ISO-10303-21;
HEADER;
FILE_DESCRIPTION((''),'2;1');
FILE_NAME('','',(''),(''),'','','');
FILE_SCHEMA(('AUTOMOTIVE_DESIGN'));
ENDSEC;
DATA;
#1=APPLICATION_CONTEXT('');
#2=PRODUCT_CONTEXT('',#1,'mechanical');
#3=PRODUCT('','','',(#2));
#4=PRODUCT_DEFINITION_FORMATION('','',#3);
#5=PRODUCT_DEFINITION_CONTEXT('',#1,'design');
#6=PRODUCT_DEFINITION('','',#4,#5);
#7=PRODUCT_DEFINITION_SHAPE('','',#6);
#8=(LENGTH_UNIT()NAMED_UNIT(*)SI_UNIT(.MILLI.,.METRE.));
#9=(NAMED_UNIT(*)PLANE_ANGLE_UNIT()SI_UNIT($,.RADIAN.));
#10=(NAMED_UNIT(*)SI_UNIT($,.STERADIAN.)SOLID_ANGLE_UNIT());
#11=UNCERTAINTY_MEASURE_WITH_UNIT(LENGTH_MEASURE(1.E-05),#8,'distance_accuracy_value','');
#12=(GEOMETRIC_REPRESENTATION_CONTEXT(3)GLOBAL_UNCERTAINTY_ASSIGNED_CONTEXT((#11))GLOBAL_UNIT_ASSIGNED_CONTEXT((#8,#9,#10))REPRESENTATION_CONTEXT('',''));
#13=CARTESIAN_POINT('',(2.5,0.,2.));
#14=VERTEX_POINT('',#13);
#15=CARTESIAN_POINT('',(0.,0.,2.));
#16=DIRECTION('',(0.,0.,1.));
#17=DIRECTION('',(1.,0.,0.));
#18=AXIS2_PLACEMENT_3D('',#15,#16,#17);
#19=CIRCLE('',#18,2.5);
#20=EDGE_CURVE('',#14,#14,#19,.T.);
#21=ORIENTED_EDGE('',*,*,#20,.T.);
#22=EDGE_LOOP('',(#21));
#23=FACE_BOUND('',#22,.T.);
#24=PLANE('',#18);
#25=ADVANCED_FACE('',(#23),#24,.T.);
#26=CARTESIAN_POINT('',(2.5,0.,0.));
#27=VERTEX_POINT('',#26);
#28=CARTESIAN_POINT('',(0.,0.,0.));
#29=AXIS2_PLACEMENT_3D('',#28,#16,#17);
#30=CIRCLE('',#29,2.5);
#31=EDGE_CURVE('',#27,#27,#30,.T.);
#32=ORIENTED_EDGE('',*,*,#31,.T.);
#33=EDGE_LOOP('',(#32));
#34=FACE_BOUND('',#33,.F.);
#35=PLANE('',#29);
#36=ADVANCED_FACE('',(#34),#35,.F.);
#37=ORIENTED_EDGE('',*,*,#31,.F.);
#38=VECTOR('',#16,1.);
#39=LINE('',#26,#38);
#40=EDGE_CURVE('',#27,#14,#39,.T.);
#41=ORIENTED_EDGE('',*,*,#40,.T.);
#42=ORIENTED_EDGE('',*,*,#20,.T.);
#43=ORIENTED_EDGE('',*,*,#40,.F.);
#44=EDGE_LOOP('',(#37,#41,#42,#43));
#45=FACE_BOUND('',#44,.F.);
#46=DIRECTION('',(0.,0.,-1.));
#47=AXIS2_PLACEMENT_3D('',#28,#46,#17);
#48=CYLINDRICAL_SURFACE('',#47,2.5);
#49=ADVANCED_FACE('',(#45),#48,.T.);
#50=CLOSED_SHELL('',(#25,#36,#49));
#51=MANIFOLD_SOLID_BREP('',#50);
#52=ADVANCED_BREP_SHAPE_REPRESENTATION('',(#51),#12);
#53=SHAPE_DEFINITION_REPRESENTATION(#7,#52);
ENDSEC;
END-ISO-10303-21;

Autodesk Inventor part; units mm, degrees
ref_plane "YZ Plane" through (0, 0, 0) normal (1, 0, 0) x (0, 1, 0)
ref_plane "XZ Plane" through (0, 0, 0) normal (0, 1, 0) x (-1, 0, 0)
ref_plane "XY Plane" through (0, 0, 0) normal (0, 0, 1) x (1, 0, 0)
sketch "Sketch1" plane through (0, 0, 0) normal (0, 0, 1) x (1, 0, 0)
  circle A0 centre (0, 0) radius 2.5
  dimension "d0" = 5
extrude "Extrusion1" add sketch "Sketch1" along normal blind 2
properties part number "HallSensorMagnet"
